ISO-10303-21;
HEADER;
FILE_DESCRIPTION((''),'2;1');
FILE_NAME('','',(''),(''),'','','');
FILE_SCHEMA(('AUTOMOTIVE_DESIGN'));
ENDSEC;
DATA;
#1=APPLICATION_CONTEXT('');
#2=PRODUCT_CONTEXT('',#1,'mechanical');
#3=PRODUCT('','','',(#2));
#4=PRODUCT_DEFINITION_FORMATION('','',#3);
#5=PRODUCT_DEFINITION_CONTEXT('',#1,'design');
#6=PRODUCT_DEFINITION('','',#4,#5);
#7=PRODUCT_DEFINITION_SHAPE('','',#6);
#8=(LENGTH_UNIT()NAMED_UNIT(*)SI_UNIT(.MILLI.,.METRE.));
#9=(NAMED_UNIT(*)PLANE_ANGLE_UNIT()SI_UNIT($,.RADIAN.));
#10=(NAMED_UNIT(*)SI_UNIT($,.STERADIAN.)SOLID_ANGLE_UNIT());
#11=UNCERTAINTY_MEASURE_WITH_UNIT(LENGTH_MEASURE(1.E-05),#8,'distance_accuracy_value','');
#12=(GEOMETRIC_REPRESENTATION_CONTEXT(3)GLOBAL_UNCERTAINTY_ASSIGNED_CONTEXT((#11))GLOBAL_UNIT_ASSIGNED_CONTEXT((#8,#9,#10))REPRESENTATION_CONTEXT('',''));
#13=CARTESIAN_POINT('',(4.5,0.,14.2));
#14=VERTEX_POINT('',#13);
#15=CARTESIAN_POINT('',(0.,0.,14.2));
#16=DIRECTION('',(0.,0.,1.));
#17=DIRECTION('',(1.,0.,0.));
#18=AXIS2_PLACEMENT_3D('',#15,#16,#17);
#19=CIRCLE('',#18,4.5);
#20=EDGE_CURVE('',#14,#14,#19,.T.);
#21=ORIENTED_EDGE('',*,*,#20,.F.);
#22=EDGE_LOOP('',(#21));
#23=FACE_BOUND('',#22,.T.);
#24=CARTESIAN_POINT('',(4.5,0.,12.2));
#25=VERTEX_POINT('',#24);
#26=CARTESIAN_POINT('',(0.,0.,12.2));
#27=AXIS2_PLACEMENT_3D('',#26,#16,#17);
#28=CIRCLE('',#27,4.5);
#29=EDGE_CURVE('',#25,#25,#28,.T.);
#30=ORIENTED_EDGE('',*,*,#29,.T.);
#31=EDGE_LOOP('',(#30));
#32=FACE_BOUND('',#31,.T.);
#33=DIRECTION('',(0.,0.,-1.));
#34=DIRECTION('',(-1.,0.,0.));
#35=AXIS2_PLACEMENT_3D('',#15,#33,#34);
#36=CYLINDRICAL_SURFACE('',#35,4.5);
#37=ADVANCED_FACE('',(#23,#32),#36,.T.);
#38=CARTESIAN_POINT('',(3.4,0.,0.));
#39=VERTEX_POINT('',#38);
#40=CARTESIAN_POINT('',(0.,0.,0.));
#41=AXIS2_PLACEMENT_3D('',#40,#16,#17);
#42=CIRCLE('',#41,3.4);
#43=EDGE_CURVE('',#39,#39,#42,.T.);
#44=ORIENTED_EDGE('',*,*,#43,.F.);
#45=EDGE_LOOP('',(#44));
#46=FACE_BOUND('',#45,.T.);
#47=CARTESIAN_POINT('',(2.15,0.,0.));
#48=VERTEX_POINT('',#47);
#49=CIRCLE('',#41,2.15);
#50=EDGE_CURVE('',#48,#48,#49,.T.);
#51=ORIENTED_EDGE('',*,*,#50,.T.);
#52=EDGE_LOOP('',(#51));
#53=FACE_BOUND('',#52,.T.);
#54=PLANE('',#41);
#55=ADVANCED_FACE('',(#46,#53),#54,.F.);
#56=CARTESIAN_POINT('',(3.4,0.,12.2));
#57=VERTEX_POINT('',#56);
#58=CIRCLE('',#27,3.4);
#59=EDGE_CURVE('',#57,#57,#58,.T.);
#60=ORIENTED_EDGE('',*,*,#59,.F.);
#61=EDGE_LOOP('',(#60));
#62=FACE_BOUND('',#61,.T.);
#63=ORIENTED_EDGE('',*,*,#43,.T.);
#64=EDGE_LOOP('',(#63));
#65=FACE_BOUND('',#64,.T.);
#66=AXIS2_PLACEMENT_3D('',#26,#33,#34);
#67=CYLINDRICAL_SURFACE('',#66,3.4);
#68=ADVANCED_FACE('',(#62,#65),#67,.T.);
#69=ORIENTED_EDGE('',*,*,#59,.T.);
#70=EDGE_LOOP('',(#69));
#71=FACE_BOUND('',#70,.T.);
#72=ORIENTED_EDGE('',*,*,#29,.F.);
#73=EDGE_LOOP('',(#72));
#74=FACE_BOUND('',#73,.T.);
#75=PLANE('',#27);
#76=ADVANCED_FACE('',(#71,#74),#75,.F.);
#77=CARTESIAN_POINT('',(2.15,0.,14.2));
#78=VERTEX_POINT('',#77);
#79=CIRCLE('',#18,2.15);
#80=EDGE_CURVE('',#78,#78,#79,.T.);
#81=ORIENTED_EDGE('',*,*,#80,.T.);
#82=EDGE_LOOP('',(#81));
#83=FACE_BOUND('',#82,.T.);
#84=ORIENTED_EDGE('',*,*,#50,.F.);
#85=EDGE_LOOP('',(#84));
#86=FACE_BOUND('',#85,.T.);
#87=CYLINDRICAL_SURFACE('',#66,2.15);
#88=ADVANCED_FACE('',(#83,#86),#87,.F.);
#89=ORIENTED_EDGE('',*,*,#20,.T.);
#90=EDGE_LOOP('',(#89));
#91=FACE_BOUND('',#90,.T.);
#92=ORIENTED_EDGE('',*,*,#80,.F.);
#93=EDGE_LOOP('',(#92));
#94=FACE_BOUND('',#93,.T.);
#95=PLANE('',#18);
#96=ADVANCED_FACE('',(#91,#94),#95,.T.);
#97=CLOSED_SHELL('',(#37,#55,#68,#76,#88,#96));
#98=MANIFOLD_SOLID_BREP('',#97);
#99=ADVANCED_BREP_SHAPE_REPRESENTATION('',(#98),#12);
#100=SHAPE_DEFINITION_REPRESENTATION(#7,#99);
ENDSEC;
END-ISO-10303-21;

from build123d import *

# Parameters (mm, degrees)
SKETCH_1_R      = 3.4
SKETCH_1_R_2    = 2.15
EXTRUDE_1_DEPTH = 12.2
SKETCH_2_R      = 4.5
SKETCH_2_R_2    = 2.15
EXTRUDE_2_DEPTH = 2


with BuildPart() as part:
    # 草图1 → 凸台-拉伸1 (new body)
    with BuildSketch(Plane.XY):
        Circle(SKETCH_1_R)
        Circle(SKETCH_1_R_2, mode=Mode.SUBTRACT)
    extrude(amount=EXTRUDE_1_DEPTH)

    # 草图2 → 凸台-拉伸2 (add)
    with BuildSketch(Plane.XY.offset(12.2)):
        Circle(SKETCH_2_R)
        Circle(SKETCH_2_R_2, mode=Mode.SUBTRACT)
    extrude(amount=EXTRUDE_2_DEPTH)


solid = part.part
